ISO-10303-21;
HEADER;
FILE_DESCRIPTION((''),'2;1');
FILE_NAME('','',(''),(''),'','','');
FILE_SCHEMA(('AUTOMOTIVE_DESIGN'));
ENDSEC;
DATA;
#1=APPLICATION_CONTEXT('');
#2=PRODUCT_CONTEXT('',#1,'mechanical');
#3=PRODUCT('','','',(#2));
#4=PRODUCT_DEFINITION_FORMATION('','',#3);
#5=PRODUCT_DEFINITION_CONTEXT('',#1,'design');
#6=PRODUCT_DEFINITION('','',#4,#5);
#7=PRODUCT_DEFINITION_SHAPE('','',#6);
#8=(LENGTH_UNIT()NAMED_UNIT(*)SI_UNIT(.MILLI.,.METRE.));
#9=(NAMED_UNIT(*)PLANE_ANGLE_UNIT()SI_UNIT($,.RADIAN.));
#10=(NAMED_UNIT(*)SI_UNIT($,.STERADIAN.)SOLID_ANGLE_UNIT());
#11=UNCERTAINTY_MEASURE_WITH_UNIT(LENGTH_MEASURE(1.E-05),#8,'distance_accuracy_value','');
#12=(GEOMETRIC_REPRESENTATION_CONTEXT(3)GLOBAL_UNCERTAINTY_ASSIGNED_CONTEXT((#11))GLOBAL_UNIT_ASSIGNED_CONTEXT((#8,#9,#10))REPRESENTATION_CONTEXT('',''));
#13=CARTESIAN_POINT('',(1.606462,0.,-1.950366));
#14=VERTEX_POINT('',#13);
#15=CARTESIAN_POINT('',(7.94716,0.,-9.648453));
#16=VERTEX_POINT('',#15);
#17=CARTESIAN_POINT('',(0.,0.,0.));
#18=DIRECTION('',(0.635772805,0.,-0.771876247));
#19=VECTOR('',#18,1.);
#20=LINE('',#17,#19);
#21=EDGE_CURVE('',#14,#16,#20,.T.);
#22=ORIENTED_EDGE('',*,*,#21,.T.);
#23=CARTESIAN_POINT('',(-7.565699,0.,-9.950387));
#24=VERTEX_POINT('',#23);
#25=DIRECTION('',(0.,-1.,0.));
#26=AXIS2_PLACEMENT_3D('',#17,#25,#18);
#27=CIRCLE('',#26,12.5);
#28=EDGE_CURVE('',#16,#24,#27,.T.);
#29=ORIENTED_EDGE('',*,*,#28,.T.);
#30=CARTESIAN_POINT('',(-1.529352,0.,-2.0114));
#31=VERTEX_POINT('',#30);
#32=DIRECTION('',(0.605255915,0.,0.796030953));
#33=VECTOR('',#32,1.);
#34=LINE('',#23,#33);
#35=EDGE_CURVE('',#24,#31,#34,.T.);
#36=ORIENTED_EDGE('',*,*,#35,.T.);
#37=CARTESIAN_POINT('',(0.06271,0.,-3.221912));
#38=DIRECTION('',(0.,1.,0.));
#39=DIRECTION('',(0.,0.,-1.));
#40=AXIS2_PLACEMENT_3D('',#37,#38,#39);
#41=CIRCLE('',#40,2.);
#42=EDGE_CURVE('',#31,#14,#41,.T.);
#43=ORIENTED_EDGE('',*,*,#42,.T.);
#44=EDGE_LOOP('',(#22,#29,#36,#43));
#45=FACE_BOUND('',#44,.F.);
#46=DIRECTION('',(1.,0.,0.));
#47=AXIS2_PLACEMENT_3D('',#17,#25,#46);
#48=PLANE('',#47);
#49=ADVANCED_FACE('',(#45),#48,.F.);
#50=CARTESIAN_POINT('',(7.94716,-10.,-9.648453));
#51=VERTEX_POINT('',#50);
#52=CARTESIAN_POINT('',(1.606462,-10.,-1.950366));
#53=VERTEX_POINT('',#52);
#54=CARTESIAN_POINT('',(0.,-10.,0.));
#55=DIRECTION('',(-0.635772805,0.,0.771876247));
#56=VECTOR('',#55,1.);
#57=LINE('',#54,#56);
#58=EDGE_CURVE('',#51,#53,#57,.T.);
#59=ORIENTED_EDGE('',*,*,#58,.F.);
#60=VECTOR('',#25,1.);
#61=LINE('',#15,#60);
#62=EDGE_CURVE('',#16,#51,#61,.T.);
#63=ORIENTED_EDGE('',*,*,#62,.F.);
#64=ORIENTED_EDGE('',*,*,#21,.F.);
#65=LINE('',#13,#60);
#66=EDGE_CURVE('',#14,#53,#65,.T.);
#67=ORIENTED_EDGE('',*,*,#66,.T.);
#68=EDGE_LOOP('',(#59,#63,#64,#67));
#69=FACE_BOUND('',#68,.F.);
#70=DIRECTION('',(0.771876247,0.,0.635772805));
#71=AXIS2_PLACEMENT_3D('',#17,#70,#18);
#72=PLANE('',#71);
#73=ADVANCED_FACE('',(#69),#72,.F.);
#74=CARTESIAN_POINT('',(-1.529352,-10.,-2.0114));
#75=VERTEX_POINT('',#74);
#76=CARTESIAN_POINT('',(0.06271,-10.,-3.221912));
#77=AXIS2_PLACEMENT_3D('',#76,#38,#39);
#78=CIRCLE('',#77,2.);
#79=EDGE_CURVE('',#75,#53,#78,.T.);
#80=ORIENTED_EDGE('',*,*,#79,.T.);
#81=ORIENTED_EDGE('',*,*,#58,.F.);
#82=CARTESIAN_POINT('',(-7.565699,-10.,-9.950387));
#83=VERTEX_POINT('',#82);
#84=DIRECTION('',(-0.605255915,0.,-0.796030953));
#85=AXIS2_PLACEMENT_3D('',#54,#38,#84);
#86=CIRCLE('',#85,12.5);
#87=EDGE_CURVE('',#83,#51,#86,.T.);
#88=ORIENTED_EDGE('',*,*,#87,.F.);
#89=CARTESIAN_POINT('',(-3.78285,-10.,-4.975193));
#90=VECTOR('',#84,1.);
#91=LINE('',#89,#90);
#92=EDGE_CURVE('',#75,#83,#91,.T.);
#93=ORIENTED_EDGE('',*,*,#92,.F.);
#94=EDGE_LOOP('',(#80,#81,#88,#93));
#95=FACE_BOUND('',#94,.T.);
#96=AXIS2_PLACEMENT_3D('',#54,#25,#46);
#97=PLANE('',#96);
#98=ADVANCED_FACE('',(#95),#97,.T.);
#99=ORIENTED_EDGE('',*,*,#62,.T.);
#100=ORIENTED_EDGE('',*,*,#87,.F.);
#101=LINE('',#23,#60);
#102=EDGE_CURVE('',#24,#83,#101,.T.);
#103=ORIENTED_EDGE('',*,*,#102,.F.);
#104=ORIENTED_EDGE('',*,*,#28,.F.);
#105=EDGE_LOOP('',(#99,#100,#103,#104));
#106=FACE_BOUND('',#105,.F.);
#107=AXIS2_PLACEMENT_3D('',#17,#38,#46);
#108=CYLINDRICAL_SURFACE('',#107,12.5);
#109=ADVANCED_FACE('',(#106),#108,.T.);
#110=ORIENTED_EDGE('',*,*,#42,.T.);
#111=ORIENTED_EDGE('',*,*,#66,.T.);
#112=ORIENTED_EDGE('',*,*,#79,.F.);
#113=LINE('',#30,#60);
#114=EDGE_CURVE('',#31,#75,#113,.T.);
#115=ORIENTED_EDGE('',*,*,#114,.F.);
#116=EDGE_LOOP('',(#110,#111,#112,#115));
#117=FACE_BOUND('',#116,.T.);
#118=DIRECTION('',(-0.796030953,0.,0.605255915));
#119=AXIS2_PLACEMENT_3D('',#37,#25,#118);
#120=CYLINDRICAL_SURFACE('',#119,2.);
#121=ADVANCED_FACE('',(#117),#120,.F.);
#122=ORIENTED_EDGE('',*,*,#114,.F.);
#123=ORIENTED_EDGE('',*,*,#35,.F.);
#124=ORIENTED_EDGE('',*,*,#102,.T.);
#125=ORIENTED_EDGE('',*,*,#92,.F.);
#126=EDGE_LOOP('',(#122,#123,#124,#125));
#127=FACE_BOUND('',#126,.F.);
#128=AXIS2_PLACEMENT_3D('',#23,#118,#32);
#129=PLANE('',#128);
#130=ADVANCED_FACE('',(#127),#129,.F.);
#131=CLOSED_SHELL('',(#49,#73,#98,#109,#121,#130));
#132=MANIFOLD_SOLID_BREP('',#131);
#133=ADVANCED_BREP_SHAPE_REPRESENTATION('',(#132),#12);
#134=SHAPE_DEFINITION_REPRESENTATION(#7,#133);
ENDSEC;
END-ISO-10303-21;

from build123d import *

# Parameters (mm, degrees)
F0_R     = 12.5
F1_DEPTH = 10
F3_DEPTH = 25.4
F4_R     = 2


with BuildPart() as f1:
    # F0 (on Front) → F1 (new body)
    with BuildSketch(Plane.XZ):
        Circle(F0_R)
    extrude(amount=F1_DEPTH)

    # F2 (on face) → F3 (cut)
    with BuildSketch(Plane(origin=(0, 0, 0), x_dir=(-1, 0, 0), z_dir=(0, 1, 0))):
        with BuildLine():
            Line((0, 0), (-7.94716, -9.648453))
            ThreePointArc((-7.94716, -9.648453), (-0.243247, -12.497633), (7.565699, -9.950387))
            Line((7.565699, -9.950387), (0, 0))
        make_face()
    extrude(amount=-F3_DEPTH, mode=Mode.SUBTRACT)

    # F4
    f4_edges = [f1.edges().sort_by_distance(p)[0] for p in [
        (0, -5, 0),
    ]]
    fillet(f4_edges, radius=F4_R)


solid = f1.part
